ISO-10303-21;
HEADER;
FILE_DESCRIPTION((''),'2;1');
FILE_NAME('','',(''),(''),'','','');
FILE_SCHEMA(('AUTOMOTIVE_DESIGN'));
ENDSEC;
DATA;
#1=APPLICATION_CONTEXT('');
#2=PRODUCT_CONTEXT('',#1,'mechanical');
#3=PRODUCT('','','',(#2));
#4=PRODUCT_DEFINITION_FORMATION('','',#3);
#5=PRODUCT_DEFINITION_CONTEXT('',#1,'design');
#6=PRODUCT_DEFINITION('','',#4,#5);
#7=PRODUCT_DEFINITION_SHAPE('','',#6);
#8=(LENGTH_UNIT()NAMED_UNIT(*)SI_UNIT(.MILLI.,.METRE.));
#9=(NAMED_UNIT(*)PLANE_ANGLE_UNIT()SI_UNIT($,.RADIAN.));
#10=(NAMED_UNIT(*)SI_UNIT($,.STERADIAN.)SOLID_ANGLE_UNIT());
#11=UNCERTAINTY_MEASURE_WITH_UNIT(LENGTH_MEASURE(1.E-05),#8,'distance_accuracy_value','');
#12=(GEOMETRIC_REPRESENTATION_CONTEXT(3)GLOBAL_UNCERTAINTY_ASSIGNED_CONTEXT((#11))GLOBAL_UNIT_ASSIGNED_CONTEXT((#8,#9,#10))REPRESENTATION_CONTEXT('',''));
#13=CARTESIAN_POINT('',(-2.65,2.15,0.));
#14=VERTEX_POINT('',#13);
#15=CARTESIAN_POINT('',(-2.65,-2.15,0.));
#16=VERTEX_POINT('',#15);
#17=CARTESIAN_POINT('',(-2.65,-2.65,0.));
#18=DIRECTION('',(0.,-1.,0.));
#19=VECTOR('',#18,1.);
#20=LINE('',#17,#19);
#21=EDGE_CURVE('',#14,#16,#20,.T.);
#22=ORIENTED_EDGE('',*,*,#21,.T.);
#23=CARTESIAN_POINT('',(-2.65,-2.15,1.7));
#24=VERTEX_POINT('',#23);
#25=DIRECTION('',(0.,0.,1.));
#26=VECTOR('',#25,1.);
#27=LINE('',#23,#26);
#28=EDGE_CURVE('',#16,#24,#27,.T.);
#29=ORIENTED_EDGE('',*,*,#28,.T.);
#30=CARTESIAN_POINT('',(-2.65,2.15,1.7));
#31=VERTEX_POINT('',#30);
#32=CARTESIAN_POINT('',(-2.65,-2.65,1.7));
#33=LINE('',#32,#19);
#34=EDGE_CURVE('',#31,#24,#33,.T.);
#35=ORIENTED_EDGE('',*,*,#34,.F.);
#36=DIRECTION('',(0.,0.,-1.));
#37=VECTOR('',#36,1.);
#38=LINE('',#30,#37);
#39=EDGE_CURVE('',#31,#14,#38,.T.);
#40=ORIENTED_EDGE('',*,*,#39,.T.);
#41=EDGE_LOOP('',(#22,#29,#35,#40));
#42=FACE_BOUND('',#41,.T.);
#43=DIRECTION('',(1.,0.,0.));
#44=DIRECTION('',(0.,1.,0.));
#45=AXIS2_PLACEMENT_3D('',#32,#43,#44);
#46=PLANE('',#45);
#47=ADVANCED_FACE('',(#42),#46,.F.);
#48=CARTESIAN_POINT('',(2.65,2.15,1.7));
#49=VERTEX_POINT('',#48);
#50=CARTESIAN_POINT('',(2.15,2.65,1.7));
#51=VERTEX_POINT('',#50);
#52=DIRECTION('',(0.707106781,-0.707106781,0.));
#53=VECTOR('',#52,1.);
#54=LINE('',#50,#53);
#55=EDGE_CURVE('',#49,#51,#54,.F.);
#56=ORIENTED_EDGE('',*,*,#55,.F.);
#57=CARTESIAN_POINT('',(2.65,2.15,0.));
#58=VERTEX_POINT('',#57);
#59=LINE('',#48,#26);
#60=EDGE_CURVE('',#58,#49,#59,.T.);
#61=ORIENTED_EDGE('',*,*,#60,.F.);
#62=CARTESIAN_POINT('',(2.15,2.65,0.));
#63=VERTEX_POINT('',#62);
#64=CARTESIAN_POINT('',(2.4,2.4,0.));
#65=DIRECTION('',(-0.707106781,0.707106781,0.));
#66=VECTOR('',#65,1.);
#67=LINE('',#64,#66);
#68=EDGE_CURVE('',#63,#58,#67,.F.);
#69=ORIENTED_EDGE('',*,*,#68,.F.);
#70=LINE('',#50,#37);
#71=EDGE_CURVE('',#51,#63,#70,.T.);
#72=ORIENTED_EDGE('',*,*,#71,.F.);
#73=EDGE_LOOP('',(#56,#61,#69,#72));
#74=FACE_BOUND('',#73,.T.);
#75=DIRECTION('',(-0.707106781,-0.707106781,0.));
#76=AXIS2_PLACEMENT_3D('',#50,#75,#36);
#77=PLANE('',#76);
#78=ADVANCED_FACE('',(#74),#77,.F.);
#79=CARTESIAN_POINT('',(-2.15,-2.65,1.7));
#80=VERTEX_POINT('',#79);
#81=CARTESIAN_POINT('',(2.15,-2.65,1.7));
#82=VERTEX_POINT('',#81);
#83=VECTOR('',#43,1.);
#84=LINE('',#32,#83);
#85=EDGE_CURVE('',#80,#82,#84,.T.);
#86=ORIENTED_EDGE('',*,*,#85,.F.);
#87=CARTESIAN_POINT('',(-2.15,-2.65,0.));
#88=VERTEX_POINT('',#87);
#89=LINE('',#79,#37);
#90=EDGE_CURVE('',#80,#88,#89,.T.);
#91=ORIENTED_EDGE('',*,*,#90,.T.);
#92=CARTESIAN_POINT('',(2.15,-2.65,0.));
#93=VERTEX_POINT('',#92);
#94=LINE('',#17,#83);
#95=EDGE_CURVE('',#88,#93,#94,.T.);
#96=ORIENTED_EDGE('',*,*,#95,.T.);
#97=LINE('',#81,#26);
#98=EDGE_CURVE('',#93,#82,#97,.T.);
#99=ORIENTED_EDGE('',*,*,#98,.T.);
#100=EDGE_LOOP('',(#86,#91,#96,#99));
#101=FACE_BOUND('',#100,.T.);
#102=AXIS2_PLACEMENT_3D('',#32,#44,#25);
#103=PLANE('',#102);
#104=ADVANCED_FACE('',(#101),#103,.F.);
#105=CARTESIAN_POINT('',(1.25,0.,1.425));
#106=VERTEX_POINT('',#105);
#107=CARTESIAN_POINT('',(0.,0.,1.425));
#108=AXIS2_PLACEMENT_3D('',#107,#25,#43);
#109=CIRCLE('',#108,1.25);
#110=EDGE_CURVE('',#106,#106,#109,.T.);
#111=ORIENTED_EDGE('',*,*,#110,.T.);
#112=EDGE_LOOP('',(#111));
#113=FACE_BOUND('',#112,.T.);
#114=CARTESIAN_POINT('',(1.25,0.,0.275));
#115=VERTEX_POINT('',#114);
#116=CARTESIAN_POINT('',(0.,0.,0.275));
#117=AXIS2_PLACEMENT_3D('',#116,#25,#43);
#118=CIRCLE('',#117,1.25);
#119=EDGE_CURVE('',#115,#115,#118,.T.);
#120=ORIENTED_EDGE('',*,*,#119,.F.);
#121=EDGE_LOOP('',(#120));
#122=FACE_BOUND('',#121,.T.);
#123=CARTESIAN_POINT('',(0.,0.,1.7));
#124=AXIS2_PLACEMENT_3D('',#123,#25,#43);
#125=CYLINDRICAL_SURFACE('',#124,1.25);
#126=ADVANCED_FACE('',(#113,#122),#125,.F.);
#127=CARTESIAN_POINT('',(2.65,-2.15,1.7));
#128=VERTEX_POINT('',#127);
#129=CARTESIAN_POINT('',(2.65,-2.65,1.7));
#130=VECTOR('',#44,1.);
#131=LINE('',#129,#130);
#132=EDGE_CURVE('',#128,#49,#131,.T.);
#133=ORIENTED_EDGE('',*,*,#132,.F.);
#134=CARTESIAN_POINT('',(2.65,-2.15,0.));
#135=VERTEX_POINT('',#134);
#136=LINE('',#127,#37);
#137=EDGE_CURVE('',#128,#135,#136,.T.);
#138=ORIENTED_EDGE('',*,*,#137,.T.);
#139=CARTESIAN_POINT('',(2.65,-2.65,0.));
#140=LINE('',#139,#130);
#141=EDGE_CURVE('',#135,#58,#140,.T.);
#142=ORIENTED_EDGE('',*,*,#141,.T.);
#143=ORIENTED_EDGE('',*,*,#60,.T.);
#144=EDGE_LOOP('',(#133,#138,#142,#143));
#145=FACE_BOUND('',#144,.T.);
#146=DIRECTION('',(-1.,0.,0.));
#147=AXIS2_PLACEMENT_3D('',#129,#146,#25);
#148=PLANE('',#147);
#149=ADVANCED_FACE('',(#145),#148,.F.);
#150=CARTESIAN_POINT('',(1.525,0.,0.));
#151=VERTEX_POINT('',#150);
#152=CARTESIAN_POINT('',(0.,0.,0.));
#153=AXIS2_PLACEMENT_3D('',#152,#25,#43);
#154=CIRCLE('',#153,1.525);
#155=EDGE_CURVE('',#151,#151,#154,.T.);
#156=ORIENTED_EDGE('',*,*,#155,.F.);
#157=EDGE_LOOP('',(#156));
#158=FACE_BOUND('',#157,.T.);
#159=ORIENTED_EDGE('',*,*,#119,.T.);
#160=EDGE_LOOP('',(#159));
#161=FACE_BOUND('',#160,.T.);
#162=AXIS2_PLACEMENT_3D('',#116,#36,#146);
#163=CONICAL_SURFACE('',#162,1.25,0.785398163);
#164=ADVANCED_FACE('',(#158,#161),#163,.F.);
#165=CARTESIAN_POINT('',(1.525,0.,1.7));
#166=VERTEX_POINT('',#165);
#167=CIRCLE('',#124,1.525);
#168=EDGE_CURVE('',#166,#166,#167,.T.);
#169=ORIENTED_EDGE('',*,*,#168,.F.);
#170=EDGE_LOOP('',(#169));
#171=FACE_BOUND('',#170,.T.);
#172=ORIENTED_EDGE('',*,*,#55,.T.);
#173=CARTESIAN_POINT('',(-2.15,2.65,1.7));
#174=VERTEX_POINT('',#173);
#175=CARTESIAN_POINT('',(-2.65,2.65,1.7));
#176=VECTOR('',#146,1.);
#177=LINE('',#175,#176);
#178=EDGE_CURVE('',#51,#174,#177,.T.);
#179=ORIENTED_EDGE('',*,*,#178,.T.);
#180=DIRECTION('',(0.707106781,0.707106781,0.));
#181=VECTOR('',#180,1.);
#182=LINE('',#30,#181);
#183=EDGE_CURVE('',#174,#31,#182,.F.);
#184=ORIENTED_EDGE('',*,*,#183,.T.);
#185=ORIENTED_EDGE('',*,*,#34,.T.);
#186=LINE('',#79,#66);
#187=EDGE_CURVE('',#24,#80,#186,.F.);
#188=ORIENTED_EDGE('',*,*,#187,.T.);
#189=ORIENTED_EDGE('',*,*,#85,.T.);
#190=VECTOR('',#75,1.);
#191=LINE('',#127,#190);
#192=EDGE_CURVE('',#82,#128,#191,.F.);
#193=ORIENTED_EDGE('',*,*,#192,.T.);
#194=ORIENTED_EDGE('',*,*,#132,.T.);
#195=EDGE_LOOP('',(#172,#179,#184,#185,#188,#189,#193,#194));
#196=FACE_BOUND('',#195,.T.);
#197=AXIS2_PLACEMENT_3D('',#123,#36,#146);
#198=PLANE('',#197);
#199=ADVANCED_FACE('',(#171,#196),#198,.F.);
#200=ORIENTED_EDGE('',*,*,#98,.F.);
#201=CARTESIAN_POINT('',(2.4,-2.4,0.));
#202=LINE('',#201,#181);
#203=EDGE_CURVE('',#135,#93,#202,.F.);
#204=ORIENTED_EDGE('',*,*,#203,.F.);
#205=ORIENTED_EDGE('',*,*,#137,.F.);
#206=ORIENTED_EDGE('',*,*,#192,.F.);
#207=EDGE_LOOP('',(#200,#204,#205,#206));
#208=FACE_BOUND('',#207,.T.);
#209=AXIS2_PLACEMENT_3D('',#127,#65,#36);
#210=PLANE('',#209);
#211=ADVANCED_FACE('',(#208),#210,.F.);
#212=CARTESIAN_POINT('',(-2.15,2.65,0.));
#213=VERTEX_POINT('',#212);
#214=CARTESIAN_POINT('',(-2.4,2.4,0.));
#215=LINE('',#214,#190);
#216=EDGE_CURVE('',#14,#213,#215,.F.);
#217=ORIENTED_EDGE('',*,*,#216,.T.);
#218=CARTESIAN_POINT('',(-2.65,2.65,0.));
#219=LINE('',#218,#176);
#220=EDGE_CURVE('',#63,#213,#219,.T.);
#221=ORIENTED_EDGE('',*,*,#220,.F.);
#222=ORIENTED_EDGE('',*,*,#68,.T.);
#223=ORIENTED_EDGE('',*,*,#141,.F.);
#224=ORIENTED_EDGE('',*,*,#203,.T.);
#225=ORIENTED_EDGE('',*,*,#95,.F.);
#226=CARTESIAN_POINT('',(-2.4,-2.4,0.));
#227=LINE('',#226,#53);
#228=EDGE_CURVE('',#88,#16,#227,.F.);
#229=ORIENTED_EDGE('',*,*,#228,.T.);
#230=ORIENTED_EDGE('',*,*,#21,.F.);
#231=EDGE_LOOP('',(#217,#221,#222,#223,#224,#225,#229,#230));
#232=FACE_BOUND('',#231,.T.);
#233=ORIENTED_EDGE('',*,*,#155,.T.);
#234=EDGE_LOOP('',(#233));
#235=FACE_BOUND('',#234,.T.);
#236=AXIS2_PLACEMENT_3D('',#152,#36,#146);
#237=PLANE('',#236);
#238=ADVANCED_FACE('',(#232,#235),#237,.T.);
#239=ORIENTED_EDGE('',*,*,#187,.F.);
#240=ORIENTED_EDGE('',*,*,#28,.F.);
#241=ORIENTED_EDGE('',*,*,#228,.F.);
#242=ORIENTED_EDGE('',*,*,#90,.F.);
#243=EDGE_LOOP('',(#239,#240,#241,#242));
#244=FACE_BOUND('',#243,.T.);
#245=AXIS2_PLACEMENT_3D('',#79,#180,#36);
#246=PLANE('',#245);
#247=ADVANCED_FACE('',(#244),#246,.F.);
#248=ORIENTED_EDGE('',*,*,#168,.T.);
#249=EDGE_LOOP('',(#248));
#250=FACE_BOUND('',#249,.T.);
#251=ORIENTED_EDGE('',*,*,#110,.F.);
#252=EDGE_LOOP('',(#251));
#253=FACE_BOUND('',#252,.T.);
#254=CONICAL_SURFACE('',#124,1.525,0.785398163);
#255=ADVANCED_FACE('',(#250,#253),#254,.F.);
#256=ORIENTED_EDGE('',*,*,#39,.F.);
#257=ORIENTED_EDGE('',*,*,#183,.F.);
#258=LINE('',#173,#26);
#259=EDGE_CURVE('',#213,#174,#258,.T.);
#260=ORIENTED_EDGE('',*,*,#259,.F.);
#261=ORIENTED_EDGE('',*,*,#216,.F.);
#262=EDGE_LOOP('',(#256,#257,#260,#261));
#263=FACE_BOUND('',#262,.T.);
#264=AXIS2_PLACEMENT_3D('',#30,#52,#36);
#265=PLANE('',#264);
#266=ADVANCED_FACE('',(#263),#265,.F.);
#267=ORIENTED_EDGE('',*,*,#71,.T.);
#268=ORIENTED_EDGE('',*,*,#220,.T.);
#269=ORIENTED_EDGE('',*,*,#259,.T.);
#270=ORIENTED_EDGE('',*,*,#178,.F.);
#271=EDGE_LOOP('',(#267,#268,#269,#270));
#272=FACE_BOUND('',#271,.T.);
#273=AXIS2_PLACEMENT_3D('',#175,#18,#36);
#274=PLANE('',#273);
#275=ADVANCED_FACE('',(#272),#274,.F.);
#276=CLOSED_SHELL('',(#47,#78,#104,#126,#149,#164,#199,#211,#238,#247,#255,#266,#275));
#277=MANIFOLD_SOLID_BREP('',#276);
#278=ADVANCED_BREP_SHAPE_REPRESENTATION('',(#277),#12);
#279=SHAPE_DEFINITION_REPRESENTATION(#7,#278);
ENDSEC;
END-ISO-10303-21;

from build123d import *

# Parameters (mm, degrees)
SKETCH_1_W      = 5.3
SKETCH_1_H      = 5.3
EXTRUDE_1_DEPTH = 1.7
CHAMFER_1_SIZE  = 0.5


with BuildPart() as part:
    # 草图1 → 凸台-拉伸1 (new body)
    with BuildSketch(Plane.XY):
        Rectangle(SKETCH_1_W, SKETCH_1_H)
    extrude(amount=EXTRUDE_1_DEPTH)

    # 草图3 → M3 螺纹孔1 (revolve, cut)
    with BuildSketch(Plane(origin=(0, 0, 1.7), x_dir=(0, -1, 0), z_dir=(1, 0, 0))):
        Polygon((0, 0), (0, 1.7), (1.525, 1.7), (1.25, 1.425), (1.25, 0.275), (1.525, 0), align=None)
    revolve(axis=Axis((0, 0, 8.05), (0, 0, -1)), mode=Mode.SUBTRACT)

    # 倒角1
    chamfer_1_edges = [part.edges().sort_by_distance(p)[0] for p in [
        (2.65, -2.65, 0.85),
        (-2.65, -2.65, 0.85),
        (-2.65, 2.65, 0.85),
        (2.65, 2.65, 0.85),
    ]]
    chamfer(chamfer_1_edges, length=CHAMFER_1_SIZE)


solid = part.part
